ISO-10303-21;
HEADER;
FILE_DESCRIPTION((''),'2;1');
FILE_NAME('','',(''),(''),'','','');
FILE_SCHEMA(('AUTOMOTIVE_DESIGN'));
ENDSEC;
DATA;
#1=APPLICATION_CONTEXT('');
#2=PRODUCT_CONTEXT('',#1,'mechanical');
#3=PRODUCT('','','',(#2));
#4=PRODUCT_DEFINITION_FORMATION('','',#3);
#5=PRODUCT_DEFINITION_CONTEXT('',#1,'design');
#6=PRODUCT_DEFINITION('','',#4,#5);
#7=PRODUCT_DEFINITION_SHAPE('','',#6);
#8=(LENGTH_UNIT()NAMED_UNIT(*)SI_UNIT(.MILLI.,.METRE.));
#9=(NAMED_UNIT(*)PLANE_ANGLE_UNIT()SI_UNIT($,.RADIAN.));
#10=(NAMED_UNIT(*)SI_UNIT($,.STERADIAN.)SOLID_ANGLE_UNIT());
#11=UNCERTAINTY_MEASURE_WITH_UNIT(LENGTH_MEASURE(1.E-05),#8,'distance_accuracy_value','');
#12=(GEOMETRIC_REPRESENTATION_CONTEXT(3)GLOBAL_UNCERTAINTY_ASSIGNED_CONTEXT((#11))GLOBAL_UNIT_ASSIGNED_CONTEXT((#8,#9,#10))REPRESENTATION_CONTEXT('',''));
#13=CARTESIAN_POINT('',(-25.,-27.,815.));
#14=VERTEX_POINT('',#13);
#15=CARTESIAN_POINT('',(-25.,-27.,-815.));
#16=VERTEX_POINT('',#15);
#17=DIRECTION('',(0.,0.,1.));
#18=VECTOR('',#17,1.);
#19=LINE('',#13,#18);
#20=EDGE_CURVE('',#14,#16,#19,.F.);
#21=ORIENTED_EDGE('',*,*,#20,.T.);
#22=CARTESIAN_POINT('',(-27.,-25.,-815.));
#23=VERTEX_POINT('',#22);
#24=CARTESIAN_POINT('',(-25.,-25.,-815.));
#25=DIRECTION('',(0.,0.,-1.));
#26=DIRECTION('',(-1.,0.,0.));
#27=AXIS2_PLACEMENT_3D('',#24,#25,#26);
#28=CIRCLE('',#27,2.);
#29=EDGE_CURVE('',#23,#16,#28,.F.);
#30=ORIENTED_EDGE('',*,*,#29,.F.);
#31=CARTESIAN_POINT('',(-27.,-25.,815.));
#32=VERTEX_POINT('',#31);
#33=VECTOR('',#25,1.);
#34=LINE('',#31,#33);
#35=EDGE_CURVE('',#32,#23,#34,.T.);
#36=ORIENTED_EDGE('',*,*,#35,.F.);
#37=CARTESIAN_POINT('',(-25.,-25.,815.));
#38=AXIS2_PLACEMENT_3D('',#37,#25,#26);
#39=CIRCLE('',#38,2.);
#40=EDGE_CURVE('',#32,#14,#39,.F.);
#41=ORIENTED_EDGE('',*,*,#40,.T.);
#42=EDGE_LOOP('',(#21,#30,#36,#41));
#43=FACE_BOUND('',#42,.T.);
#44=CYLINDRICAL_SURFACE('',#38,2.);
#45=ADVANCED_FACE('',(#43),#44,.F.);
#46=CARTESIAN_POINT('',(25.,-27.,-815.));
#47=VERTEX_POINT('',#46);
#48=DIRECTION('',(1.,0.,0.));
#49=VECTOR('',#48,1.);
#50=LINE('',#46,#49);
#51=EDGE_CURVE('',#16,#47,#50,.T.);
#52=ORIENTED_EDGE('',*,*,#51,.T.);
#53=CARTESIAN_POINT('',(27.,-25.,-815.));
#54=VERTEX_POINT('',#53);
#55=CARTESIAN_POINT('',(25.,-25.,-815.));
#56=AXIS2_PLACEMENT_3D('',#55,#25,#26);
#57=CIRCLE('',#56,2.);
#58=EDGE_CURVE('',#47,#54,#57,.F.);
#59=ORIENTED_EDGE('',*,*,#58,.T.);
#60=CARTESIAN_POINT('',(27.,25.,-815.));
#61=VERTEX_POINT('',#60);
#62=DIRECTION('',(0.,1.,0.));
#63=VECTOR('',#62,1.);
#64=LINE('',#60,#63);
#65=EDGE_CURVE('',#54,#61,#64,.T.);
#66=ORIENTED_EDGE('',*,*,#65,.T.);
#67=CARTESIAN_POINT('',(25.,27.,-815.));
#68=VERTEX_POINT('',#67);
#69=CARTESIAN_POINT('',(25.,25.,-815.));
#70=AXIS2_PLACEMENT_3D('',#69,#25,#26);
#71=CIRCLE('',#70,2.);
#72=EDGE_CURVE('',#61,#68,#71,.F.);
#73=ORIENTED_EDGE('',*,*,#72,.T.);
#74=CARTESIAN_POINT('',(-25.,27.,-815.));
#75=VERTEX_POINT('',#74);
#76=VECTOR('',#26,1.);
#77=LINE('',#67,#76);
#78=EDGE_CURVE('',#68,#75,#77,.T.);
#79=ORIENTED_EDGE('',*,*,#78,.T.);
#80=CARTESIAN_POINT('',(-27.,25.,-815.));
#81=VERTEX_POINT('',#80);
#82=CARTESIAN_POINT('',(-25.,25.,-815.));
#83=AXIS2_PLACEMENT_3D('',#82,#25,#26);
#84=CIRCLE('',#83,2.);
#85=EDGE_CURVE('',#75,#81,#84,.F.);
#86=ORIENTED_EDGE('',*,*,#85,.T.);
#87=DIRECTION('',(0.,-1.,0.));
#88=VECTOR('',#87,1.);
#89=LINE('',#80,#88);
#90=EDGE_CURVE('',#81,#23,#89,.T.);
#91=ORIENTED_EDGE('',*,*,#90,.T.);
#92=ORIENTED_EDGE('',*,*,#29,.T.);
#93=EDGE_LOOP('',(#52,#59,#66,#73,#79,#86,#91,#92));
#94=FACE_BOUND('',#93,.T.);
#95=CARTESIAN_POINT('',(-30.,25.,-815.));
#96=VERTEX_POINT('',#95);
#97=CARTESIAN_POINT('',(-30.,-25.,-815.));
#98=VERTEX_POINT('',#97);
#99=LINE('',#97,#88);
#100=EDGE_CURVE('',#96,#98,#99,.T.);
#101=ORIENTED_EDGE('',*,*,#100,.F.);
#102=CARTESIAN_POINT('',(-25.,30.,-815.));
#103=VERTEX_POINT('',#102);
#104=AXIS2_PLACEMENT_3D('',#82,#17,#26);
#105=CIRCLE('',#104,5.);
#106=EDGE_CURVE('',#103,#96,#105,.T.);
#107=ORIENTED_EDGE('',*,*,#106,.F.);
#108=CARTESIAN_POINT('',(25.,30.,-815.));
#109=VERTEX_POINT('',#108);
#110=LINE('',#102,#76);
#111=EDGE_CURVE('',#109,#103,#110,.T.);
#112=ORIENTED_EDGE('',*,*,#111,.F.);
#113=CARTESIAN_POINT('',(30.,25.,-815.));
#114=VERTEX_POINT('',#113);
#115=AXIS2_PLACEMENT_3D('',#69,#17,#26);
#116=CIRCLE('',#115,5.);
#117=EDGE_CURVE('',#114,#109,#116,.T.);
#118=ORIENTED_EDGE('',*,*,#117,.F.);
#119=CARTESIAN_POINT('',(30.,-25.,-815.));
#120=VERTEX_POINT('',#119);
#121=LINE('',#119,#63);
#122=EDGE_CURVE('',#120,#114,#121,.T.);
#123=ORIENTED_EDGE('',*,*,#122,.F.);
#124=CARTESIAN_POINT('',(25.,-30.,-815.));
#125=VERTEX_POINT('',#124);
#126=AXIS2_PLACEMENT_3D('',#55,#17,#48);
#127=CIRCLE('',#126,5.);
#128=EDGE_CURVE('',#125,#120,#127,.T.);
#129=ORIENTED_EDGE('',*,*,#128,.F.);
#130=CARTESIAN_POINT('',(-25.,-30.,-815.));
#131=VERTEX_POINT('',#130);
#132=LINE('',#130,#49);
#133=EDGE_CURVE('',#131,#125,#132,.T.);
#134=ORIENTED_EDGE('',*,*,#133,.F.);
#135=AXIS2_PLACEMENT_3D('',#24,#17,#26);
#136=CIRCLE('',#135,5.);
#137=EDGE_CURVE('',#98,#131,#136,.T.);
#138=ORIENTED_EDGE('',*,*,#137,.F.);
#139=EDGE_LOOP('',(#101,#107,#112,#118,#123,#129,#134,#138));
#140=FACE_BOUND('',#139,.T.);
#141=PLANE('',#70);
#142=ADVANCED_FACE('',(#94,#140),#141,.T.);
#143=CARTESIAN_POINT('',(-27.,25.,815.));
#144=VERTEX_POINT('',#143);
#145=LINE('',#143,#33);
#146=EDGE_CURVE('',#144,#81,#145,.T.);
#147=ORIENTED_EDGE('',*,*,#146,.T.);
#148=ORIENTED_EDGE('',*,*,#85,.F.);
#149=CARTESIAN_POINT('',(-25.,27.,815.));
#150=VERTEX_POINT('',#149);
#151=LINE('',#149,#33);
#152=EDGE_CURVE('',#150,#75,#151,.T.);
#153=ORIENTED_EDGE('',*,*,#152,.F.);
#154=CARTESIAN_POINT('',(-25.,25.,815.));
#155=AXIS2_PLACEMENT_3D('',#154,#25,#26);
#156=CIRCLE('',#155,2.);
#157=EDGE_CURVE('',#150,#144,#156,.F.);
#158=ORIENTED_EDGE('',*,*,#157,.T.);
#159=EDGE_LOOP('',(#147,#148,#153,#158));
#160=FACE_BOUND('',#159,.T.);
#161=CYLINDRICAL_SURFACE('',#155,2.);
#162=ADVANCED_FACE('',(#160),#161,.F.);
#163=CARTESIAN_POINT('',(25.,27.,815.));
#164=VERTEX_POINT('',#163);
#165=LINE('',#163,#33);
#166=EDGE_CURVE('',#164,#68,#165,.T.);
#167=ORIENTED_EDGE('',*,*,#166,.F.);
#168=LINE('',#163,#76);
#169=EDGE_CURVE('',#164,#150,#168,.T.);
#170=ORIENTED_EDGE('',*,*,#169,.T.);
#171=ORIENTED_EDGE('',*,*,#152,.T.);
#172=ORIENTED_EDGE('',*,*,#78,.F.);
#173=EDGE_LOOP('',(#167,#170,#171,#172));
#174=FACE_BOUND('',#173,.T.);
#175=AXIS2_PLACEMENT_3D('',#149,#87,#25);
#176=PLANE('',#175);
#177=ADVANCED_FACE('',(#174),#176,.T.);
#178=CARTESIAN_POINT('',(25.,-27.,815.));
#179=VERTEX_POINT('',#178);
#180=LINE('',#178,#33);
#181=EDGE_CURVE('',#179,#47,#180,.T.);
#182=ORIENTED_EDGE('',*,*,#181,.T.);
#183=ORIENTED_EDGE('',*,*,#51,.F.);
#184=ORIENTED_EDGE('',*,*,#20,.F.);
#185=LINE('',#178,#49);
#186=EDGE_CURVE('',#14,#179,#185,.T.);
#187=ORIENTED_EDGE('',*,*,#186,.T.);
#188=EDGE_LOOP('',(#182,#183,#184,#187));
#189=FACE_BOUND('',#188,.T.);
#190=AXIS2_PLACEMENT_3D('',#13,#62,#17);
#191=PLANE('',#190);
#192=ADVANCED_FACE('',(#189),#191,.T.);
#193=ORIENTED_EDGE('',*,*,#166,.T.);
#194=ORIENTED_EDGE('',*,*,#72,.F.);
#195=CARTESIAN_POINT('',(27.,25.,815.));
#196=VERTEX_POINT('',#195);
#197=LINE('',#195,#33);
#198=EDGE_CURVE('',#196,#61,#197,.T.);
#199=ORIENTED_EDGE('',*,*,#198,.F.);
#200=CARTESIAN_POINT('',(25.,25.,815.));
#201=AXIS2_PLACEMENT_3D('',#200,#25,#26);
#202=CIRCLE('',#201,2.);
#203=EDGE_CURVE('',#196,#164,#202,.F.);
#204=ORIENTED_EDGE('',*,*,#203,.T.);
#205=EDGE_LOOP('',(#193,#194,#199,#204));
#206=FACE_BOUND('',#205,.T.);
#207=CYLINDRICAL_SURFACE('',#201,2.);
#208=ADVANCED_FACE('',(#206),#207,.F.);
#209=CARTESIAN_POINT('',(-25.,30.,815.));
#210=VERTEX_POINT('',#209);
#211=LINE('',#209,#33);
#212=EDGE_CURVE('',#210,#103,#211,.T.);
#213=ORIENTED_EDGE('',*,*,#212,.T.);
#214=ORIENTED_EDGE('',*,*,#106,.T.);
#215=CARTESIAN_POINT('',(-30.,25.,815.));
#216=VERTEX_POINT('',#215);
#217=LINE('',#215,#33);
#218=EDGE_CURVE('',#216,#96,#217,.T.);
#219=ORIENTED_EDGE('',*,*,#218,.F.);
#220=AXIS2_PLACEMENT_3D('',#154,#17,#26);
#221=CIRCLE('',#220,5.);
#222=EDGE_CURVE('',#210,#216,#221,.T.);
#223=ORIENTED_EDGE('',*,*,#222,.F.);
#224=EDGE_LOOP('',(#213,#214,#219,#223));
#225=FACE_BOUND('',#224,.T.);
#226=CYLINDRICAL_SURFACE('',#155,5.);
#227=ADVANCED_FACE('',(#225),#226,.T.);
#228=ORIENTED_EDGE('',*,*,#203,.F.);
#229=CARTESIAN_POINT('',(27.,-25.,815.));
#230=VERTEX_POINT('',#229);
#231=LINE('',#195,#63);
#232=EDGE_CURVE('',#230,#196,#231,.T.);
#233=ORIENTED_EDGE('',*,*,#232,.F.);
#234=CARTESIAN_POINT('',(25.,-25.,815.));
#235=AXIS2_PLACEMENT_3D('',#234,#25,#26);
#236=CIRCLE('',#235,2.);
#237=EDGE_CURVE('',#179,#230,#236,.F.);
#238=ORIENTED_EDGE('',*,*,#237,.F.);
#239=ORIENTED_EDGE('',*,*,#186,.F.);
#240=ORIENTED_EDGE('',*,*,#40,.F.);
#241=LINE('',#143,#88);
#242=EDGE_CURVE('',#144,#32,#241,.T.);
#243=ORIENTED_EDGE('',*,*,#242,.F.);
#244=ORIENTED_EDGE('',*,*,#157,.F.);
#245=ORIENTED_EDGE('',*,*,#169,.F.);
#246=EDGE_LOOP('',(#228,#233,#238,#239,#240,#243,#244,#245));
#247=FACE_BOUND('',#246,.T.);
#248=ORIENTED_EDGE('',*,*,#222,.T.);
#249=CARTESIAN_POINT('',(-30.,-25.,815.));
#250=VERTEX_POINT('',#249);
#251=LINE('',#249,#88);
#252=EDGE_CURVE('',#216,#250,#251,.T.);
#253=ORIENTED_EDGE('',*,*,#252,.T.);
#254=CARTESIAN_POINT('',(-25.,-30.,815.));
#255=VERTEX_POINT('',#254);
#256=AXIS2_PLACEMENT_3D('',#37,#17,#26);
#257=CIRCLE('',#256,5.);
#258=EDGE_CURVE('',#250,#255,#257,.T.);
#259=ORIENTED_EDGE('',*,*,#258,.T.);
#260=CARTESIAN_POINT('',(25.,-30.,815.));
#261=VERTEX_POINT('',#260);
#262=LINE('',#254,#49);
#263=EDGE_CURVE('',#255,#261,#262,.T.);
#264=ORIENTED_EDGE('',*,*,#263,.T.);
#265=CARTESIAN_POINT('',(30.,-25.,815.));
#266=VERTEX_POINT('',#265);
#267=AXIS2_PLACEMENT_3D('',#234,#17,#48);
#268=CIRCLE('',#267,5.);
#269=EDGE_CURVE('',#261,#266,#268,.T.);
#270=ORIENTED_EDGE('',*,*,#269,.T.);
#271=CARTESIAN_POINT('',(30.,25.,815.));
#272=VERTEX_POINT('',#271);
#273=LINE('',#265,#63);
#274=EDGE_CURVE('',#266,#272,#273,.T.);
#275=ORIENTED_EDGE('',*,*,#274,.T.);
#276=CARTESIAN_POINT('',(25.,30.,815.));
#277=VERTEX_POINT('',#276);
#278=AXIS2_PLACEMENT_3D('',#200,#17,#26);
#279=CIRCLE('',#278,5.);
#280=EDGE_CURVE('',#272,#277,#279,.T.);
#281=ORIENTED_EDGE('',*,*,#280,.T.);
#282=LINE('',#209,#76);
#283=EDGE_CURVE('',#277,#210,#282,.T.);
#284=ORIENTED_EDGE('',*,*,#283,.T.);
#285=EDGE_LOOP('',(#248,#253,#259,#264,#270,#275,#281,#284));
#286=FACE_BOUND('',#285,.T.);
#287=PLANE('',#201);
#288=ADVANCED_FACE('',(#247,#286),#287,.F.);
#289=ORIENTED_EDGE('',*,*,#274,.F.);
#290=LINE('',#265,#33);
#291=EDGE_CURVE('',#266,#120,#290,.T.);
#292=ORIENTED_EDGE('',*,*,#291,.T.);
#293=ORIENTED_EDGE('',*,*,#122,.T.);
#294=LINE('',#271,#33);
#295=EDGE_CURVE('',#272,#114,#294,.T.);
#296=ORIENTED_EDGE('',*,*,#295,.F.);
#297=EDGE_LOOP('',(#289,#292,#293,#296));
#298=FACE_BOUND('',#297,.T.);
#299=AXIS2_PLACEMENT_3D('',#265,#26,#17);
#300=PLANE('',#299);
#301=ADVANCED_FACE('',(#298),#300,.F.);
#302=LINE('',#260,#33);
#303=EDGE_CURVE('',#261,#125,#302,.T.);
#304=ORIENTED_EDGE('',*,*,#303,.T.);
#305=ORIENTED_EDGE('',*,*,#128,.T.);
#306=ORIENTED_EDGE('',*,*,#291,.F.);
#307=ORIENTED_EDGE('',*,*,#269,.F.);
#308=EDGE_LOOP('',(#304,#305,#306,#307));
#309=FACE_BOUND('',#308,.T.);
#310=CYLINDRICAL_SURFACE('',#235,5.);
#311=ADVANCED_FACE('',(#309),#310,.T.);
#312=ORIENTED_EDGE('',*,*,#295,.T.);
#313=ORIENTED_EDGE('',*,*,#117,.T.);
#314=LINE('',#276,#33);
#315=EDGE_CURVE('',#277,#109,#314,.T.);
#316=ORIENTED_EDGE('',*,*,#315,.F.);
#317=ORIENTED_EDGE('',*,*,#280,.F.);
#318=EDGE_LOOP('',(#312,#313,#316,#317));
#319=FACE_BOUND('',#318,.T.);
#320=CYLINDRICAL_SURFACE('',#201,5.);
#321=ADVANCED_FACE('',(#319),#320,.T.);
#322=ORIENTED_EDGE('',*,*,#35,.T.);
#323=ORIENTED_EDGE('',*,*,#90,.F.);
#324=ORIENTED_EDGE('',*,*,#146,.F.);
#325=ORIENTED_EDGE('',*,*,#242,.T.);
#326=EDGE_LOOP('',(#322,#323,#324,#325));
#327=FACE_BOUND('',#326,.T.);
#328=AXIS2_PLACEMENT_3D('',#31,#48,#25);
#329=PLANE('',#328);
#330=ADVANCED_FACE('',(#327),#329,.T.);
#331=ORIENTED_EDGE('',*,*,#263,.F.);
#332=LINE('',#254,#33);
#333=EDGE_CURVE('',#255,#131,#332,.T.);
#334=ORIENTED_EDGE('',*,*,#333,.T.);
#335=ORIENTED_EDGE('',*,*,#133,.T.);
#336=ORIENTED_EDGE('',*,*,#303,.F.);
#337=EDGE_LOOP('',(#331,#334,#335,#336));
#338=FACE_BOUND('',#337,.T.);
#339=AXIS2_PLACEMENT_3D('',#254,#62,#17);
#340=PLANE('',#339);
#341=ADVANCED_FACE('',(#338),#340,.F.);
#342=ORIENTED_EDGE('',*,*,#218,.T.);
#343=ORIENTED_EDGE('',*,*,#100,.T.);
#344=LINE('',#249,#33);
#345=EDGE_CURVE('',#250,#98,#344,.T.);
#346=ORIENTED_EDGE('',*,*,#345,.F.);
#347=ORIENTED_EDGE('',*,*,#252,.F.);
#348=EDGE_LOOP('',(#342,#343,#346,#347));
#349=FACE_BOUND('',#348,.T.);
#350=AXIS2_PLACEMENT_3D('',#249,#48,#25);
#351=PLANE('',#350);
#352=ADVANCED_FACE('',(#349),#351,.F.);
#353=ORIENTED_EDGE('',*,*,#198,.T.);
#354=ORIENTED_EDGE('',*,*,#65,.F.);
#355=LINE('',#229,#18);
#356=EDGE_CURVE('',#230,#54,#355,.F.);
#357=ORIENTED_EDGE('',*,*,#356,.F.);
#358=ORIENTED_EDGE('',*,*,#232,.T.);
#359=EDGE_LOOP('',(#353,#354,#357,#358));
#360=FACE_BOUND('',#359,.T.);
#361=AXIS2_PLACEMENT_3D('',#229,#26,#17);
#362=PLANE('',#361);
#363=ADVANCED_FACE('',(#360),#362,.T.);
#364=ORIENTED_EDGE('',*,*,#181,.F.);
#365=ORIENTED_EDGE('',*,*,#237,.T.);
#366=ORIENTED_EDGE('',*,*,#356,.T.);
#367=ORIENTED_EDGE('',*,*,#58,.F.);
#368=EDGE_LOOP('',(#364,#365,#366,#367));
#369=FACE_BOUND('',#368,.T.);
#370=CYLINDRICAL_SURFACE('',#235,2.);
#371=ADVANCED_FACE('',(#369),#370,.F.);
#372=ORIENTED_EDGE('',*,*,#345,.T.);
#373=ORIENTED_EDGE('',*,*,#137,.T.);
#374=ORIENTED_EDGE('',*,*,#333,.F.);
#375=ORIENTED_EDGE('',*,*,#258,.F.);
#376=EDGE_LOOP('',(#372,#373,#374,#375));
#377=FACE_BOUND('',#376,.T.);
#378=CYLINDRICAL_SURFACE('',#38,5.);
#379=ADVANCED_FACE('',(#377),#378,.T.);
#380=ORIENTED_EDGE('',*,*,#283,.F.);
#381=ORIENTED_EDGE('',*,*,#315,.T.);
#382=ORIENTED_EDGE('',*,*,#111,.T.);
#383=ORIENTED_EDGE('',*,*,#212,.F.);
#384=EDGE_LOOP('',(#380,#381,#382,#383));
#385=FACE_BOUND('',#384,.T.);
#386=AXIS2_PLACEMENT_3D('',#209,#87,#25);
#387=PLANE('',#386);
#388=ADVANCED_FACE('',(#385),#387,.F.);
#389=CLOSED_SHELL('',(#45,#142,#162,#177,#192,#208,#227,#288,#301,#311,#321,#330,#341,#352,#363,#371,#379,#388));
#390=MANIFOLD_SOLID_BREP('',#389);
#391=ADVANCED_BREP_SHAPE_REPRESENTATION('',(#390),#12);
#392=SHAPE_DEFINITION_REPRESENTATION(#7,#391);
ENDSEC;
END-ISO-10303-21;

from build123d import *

# Parameters (mm, degrees)
EXTRUDE_1_DEPTH = 815
SHELL_1_T       = -3


with BuildPart() as part:
    # Эскиз1 → Бобышка-Вытянуть1 (new, symmetric)
    with BuildSketch(Plane.XY):
        with BuildLine():
            Line((-25, -30), (25, -30))
            ThreePointArc((25, -30), (28.535533906, -28.535533906), (30, -25))
            Line((30, -25), (30, 25))
            ThreePointArc((30, 25), (28.535533906, 28.535533906), (25, 30))
            Line((25, 30), (-25, 30))
            ThreePointArc((-25, 30), (-28.535533906, 28.535533906), (-30, 25))
            Line((-30, 25), (-30, -25))
            ThreePointArc((-30, -25), (-28.535533906, -28.535533906), (-25, -30))
        make_face()
    extrude(amount=EXTRUDE_1_DEPTH, both=True)

    # Оболочка1
    shell_1_openings = [part.faces().sort_by_distance(p)[0] for p in [
        (0, 0, 815),
        (0, 0, -815),
    ]]
    offset(amount=SHELL_1_T, openings=shell_1_openings, kind=Kind.INTERSECTION)


solid = part.part
